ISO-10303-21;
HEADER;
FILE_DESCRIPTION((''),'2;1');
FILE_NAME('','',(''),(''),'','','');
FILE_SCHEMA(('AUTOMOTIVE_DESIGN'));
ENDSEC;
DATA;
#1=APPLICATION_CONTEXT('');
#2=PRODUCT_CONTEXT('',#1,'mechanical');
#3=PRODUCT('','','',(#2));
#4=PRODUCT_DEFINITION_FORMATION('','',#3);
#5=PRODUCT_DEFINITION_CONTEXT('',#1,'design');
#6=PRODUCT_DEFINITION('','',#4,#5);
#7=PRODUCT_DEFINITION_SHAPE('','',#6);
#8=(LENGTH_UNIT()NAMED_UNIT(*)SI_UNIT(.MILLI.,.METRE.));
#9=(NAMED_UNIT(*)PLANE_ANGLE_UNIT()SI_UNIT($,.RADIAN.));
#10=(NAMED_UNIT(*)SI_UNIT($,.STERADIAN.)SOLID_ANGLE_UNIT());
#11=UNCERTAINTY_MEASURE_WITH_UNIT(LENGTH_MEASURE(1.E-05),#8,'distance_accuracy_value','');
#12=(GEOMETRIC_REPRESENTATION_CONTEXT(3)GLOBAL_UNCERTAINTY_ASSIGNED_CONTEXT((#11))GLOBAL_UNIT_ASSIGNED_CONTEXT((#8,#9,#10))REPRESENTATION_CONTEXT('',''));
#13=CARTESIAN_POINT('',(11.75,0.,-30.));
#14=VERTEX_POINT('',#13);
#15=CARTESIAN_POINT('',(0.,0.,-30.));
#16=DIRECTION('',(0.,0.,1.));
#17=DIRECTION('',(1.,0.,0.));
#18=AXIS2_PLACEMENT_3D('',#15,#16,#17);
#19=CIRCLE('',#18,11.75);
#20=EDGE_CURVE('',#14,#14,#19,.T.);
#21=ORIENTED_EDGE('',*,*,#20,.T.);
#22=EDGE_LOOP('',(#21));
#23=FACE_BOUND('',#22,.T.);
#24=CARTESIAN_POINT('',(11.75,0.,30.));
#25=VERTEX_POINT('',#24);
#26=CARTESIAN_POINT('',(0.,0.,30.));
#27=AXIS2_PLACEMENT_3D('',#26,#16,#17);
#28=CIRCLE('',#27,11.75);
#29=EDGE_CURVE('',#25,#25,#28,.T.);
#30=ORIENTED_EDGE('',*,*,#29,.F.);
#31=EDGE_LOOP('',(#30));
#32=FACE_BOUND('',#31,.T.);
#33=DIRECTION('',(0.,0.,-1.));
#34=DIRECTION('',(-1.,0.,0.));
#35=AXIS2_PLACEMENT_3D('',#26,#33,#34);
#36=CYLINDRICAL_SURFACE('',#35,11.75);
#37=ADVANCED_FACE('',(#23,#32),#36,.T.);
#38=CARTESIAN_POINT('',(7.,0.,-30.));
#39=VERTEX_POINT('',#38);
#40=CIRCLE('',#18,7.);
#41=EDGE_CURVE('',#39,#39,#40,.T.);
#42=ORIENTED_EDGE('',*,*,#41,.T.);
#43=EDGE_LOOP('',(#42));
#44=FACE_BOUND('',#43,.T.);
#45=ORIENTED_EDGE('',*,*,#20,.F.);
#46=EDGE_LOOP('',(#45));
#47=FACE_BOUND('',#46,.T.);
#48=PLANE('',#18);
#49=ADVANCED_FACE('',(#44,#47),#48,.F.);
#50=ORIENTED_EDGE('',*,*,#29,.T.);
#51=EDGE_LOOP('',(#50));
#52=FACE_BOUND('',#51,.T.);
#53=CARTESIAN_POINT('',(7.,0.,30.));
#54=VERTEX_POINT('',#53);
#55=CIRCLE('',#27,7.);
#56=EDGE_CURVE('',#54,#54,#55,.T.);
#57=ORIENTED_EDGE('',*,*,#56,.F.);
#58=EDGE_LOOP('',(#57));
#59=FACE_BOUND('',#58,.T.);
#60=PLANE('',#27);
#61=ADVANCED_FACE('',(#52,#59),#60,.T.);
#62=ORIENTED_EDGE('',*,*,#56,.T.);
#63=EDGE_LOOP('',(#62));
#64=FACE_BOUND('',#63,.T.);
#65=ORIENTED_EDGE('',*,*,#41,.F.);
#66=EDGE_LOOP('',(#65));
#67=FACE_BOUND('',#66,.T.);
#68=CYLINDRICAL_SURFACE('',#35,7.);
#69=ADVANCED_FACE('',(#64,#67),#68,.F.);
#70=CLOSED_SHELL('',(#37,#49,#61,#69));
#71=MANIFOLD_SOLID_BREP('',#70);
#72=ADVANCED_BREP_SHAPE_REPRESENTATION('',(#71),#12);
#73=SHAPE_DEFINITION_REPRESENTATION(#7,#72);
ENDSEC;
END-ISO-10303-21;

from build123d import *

# Parameters (mm, degrees)
SKETCH1_R   = 11.75
SKETCH1_R_2 = 7
PIN_DEPTH   = 30


with BuildPart() as part:
    # Sketch1 → Pin (new, symmetric)
    with BuildSketch(Plane.XY):
        Circle(SKETCH1_R)
        Circle(SKETCH1_R_2, mode=Mode.SUBTRACT)
    extrude(amount=PIN_DEPTH, both=True)


solid = part.part
